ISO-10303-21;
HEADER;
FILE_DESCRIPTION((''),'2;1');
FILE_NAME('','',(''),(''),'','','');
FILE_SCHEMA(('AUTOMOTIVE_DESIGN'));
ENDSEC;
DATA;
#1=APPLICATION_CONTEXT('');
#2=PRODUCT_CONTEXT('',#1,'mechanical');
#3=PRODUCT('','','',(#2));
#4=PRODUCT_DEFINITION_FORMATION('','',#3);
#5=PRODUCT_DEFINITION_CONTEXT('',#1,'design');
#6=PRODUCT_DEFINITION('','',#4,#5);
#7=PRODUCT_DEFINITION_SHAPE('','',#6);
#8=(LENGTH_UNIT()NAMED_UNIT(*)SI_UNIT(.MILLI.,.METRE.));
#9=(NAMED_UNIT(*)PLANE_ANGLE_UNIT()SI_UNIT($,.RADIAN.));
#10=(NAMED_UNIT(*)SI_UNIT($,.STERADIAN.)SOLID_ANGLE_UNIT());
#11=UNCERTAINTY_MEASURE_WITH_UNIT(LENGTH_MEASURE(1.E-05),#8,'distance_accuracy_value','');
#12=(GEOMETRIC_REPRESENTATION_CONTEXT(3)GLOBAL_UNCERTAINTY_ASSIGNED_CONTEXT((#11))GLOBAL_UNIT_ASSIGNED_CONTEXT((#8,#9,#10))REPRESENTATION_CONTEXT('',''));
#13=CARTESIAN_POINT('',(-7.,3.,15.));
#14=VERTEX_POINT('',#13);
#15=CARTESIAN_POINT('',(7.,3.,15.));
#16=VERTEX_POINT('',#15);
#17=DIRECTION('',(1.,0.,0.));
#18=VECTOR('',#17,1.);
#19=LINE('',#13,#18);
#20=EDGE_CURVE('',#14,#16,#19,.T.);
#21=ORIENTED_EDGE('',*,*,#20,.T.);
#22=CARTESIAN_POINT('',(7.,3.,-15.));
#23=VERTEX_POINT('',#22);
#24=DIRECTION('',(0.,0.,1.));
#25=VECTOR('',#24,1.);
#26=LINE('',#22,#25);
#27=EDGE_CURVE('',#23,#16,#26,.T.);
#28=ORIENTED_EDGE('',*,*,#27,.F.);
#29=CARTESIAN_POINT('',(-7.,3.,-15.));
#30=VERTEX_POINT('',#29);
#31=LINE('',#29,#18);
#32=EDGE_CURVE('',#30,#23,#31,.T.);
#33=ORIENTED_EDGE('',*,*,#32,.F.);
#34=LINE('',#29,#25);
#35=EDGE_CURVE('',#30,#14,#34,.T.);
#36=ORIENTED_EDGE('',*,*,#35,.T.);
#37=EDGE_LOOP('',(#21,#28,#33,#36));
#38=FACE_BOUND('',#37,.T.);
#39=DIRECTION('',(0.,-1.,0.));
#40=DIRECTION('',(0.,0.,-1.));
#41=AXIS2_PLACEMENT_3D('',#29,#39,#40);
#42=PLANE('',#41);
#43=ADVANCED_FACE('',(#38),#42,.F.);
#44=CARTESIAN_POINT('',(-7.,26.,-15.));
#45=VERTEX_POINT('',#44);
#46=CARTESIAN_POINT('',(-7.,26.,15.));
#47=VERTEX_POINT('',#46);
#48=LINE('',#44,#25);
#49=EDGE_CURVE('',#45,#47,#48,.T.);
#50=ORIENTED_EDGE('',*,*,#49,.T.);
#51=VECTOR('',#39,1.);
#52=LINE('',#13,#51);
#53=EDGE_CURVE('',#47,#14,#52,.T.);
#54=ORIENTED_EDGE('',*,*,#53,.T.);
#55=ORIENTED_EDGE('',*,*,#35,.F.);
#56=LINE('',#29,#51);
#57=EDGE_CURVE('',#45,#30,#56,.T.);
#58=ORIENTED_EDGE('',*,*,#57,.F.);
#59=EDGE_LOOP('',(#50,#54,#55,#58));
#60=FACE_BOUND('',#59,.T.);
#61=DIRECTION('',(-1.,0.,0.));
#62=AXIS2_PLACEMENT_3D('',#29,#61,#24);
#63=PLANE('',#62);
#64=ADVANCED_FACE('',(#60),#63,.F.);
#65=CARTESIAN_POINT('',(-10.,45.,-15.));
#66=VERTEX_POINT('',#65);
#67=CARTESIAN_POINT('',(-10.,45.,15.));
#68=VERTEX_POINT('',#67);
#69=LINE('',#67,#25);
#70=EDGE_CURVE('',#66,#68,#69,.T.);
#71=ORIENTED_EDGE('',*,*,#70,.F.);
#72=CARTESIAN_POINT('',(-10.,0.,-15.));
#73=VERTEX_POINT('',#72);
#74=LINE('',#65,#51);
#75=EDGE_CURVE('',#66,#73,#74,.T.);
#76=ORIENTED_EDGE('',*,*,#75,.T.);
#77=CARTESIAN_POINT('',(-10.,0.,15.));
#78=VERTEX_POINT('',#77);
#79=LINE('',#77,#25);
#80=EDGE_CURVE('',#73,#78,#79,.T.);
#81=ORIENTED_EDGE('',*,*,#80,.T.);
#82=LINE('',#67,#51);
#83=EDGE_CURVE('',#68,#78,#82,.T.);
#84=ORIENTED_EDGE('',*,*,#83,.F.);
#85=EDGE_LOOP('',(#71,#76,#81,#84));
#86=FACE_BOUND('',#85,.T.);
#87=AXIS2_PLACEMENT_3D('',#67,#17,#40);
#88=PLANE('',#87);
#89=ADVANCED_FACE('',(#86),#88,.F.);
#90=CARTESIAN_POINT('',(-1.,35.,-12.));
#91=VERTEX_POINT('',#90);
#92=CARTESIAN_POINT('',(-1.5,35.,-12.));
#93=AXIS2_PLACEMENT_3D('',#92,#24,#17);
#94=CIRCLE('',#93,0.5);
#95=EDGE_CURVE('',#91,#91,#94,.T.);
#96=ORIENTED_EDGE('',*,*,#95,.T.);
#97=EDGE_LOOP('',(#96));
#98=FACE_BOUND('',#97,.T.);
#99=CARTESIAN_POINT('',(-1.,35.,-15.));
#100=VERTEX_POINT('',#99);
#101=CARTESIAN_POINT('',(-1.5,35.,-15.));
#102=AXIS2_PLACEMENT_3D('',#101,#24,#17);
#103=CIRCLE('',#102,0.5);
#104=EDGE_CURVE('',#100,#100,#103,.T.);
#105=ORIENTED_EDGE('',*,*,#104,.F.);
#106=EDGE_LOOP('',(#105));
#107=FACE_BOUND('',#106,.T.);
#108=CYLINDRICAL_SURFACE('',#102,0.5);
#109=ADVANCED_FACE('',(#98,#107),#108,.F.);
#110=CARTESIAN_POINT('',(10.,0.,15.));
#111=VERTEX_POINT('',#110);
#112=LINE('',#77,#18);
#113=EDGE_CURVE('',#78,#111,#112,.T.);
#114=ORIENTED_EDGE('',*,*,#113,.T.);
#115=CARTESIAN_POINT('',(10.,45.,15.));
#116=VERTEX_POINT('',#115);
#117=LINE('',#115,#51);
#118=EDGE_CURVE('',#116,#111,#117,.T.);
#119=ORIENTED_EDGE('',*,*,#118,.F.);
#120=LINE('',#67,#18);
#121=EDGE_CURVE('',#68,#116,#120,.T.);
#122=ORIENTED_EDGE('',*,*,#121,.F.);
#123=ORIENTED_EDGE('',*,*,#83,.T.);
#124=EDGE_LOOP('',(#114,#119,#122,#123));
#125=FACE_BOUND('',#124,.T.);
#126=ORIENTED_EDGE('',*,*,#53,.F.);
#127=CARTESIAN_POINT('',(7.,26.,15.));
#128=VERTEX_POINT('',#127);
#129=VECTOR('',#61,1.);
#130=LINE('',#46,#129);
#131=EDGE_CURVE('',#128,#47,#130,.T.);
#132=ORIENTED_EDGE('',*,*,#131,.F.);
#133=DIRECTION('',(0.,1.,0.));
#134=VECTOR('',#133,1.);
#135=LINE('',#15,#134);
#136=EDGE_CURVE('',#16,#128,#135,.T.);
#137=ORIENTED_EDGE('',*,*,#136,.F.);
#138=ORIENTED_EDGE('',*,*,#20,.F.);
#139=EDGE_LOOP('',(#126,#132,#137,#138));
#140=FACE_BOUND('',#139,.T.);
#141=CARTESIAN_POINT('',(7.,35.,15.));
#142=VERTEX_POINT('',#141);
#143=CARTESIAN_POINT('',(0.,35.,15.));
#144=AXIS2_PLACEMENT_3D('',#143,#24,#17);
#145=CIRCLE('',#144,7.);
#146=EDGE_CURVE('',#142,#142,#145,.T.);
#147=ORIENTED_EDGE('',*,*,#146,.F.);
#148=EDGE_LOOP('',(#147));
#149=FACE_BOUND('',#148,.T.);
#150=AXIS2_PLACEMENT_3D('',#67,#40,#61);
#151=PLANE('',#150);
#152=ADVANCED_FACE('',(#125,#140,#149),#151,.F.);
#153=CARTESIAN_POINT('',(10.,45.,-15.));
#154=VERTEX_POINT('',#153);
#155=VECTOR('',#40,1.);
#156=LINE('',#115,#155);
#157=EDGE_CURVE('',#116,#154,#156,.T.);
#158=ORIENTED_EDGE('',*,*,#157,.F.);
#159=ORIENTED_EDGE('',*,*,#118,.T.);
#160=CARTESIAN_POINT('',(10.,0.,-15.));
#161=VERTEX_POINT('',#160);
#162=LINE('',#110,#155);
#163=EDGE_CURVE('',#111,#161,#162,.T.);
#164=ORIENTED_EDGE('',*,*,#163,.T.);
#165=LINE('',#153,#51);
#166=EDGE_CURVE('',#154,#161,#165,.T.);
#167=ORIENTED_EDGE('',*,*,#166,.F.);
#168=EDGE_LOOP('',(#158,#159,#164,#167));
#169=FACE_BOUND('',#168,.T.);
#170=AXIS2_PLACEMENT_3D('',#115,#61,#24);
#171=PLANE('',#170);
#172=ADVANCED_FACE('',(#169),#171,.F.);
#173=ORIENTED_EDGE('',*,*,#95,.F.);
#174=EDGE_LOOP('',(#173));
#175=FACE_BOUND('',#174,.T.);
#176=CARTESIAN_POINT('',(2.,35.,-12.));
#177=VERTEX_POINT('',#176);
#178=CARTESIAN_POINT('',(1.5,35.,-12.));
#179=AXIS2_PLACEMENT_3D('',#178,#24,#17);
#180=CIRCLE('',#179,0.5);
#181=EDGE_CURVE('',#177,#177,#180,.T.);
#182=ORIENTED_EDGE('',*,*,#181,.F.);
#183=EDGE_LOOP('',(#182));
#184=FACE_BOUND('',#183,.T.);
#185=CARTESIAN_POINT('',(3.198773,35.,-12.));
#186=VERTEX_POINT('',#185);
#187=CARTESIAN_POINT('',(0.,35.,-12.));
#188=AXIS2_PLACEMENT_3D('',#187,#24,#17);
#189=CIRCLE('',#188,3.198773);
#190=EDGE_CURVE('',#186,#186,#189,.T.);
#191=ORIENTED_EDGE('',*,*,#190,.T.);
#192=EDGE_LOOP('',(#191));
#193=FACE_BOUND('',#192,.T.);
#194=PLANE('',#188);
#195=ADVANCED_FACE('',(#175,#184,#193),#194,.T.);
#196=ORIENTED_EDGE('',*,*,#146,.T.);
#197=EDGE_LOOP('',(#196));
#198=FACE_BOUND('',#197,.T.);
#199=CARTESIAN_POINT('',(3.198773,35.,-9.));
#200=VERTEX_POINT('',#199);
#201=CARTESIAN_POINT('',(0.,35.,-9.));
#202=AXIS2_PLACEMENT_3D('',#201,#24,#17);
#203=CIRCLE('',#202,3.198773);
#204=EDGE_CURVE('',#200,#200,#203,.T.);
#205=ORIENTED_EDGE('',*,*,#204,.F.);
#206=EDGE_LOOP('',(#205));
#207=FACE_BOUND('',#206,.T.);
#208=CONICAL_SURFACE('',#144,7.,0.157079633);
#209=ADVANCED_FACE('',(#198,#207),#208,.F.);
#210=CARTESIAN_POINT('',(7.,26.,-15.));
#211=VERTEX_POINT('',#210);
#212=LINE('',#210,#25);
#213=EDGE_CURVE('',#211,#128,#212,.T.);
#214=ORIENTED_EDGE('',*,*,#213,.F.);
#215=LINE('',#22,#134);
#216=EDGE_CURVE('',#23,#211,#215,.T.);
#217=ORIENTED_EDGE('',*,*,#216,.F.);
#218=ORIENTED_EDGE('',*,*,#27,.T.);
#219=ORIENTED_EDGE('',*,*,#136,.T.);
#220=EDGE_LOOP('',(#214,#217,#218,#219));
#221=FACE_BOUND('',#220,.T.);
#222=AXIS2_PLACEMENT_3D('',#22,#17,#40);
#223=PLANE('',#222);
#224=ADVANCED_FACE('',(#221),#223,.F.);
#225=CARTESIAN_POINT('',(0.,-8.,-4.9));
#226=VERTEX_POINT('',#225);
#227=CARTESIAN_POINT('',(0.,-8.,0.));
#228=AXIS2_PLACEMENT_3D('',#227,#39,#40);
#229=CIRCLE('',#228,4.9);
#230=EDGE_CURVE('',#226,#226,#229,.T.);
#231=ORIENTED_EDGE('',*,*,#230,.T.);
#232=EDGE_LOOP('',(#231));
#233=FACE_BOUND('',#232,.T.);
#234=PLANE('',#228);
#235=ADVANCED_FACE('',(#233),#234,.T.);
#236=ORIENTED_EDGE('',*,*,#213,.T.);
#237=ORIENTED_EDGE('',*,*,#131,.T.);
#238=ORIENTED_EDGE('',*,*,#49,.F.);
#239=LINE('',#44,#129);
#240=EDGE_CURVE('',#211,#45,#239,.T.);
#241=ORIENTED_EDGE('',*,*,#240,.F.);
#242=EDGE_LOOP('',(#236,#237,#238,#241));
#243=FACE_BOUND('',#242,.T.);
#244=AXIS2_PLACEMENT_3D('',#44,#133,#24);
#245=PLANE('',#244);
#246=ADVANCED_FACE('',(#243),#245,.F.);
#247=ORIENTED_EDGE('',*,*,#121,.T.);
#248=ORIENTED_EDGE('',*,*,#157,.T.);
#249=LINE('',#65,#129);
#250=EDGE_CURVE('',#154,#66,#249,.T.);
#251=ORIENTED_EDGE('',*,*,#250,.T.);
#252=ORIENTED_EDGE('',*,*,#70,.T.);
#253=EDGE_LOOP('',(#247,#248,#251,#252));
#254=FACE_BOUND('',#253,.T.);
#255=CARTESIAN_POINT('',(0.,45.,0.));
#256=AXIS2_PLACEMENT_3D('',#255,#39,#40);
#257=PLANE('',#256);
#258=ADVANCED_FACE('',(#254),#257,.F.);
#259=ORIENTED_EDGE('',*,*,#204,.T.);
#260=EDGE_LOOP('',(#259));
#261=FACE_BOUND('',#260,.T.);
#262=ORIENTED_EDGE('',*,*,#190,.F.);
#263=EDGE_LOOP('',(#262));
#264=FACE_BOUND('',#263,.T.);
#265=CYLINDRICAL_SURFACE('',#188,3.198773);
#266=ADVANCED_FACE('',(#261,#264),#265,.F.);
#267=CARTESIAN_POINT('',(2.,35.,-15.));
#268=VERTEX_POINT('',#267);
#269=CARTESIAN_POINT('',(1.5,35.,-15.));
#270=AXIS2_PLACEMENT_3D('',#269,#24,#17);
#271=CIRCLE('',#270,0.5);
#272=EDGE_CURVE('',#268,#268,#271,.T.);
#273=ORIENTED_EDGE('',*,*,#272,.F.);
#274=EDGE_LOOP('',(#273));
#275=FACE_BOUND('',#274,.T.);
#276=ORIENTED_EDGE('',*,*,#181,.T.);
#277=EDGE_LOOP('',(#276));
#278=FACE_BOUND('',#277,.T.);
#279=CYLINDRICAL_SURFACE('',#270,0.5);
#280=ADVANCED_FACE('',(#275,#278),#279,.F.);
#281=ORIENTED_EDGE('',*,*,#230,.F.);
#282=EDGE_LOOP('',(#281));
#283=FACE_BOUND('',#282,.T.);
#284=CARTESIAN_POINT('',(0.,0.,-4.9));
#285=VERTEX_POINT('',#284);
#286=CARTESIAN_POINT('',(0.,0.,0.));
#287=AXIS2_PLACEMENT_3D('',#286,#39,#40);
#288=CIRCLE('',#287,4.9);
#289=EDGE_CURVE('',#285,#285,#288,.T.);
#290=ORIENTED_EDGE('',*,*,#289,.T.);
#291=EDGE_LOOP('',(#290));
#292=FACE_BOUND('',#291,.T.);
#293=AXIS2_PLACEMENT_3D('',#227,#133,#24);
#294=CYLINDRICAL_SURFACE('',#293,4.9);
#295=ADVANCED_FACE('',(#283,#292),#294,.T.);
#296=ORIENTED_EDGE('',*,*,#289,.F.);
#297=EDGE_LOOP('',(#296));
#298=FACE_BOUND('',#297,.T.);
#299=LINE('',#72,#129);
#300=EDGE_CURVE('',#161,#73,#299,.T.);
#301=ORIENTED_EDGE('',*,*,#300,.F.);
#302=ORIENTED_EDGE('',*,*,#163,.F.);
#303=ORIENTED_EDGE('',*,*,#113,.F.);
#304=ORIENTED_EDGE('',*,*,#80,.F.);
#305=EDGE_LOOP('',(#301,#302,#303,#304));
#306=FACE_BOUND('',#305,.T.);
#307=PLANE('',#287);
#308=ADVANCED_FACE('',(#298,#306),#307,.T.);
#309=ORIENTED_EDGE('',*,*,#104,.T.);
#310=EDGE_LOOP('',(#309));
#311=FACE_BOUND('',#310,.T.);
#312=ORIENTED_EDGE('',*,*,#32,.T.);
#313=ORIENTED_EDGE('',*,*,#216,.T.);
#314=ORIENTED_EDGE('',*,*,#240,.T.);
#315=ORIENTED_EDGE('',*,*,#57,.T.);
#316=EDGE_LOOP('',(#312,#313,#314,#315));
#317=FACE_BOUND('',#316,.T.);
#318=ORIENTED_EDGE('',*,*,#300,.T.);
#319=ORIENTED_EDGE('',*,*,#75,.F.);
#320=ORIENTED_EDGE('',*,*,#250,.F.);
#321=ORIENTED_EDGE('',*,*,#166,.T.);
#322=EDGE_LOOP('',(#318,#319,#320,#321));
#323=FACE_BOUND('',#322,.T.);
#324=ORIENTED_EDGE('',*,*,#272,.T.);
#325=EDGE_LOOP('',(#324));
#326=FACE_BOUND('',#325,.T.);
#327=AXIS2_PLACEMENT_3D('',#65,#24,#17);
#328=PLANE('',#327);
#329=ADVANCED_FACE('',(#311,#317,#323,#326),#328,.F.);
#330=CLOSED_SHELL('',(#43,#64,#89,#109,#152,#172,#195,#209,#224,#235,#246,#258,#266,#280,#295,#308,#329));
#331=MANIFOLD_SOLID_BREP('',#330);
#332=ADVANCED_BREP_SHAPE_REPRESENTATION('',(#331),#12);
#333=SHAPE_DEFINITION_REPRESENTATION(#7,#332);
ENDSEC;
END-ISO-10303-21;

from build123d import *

# Parameters (mm, degrees)
SKETCH1_W           = 20
SKETCH1_H           = 30
BOSS_EXTRUDE1_DEPTH = 45
SKETCH2_R           = 4.9
BOSS_EXTRUDE2_DEPTH = 8
SKETCH3_R           = 7
CUT_EXTRUDE1_DEPTH  = 24
CUT_EXTRUDE1_DRAFT  = -9
SKETCH4_R           = 3.198773432
CUT_EXTRUDE2_DEPTH  = 3
SKETCH5_R           = 0.5
CUT_EXTRUDE3_DEPTH  = 3
SKETCH6_W           = 14
SKETCH6_H           = 23
CUT_EXTRUDE4_DEPTH  = 56


with BuildPart() as part:
    # Sketch1 → Boss-Extrude1 (new body)
    with BuildSketch(Plane(origin=(0, 0, 0), x_dir=(1, 0, 0), z_dir=(0, 1, 0))):
        Rectangle(SKETCH1_W, SKETCH1_H)
    extrude(amount=BOSS_EXTRUDE1_DEPTH)

    # Sketch2 → Boss-Extrude2 (add)
    with BuildSketch(Plane(origin=(0, 0, 0), x_dir=(-1, 0, 0), z_dir=(0, -1, 0))):
        with Locations(Location((0, 0, 0), (0, 0, 90))):
            Circle(SKETCH2_R)
    extrude(amount=BOSS_EXTRUDE2_DEPTH)


with BuildPart() as cut_extrude1_tool:
    # Sketch3 → Cut-Extrude1 (with draft: the straight prism first)
    with BuildSketch(Plane.XY.offset(15)):
        with Locations((0, 35)):
            Circle(SKETCH3_R)
    extrude(amount=-CUT_EXTRUDE1_DEPTH)
    # Cut-Extrude1: the draft: its side faces are tilted about the plane it starts from
    cut_extrude1_sides = [cut_extrude1_tool.faces().sort_by_distance(p)[0] for p in [
        (-7, 35, 3),
    ]]
    draft(cut_extrude1_sides, Plane.XY.offset(15), CUT_EXTRUDE1_DRAFT)


with BuildPart() as part_1:
    add(part.part)

    # Cut-Extrude1: cut by cut_extrude1_tool
    add(cut_extrude1_tool.part, mode=Mode.SUBTRACT)

    # Sketch4 → Cut-Extrude2 (cut)
    with BuildSketch(Plane.XY.offset(-9)):
        with Locations((0, 35)):
            Circle(SKETCH4_R)
    extrude(amount=-CUT_EXTRUDE2_DEPTH, mode=Mode.SUBTRACT)

    # Sketch5 → Cut-Extrude3 (cut)
    with BuildSketch(Plane.XY.offset(-12)):
        with Locations((-1.5, 35)):
            Circle(SKETCH5_R)
        with Locations((1.5, 35)):
            Circle(SKETCH5_R)
    extrude(amount=-CUT_EXTRUDE3_DEPTH, mode=Mode.SUBTRACT)

    # Sketch6 → Cut-Extrude4 (cut, through all)
    with BuildSketch(Plane.XY.offset(15)):
        with Locations((0, 14.5)):
            Rectangle(SKETCH6_W, SKETCH6_H)
    extrude(amount=-CUT_EXTRUDE4_DEPTH, mode=Mode.SUBTRACT)


solid = part_1.part
